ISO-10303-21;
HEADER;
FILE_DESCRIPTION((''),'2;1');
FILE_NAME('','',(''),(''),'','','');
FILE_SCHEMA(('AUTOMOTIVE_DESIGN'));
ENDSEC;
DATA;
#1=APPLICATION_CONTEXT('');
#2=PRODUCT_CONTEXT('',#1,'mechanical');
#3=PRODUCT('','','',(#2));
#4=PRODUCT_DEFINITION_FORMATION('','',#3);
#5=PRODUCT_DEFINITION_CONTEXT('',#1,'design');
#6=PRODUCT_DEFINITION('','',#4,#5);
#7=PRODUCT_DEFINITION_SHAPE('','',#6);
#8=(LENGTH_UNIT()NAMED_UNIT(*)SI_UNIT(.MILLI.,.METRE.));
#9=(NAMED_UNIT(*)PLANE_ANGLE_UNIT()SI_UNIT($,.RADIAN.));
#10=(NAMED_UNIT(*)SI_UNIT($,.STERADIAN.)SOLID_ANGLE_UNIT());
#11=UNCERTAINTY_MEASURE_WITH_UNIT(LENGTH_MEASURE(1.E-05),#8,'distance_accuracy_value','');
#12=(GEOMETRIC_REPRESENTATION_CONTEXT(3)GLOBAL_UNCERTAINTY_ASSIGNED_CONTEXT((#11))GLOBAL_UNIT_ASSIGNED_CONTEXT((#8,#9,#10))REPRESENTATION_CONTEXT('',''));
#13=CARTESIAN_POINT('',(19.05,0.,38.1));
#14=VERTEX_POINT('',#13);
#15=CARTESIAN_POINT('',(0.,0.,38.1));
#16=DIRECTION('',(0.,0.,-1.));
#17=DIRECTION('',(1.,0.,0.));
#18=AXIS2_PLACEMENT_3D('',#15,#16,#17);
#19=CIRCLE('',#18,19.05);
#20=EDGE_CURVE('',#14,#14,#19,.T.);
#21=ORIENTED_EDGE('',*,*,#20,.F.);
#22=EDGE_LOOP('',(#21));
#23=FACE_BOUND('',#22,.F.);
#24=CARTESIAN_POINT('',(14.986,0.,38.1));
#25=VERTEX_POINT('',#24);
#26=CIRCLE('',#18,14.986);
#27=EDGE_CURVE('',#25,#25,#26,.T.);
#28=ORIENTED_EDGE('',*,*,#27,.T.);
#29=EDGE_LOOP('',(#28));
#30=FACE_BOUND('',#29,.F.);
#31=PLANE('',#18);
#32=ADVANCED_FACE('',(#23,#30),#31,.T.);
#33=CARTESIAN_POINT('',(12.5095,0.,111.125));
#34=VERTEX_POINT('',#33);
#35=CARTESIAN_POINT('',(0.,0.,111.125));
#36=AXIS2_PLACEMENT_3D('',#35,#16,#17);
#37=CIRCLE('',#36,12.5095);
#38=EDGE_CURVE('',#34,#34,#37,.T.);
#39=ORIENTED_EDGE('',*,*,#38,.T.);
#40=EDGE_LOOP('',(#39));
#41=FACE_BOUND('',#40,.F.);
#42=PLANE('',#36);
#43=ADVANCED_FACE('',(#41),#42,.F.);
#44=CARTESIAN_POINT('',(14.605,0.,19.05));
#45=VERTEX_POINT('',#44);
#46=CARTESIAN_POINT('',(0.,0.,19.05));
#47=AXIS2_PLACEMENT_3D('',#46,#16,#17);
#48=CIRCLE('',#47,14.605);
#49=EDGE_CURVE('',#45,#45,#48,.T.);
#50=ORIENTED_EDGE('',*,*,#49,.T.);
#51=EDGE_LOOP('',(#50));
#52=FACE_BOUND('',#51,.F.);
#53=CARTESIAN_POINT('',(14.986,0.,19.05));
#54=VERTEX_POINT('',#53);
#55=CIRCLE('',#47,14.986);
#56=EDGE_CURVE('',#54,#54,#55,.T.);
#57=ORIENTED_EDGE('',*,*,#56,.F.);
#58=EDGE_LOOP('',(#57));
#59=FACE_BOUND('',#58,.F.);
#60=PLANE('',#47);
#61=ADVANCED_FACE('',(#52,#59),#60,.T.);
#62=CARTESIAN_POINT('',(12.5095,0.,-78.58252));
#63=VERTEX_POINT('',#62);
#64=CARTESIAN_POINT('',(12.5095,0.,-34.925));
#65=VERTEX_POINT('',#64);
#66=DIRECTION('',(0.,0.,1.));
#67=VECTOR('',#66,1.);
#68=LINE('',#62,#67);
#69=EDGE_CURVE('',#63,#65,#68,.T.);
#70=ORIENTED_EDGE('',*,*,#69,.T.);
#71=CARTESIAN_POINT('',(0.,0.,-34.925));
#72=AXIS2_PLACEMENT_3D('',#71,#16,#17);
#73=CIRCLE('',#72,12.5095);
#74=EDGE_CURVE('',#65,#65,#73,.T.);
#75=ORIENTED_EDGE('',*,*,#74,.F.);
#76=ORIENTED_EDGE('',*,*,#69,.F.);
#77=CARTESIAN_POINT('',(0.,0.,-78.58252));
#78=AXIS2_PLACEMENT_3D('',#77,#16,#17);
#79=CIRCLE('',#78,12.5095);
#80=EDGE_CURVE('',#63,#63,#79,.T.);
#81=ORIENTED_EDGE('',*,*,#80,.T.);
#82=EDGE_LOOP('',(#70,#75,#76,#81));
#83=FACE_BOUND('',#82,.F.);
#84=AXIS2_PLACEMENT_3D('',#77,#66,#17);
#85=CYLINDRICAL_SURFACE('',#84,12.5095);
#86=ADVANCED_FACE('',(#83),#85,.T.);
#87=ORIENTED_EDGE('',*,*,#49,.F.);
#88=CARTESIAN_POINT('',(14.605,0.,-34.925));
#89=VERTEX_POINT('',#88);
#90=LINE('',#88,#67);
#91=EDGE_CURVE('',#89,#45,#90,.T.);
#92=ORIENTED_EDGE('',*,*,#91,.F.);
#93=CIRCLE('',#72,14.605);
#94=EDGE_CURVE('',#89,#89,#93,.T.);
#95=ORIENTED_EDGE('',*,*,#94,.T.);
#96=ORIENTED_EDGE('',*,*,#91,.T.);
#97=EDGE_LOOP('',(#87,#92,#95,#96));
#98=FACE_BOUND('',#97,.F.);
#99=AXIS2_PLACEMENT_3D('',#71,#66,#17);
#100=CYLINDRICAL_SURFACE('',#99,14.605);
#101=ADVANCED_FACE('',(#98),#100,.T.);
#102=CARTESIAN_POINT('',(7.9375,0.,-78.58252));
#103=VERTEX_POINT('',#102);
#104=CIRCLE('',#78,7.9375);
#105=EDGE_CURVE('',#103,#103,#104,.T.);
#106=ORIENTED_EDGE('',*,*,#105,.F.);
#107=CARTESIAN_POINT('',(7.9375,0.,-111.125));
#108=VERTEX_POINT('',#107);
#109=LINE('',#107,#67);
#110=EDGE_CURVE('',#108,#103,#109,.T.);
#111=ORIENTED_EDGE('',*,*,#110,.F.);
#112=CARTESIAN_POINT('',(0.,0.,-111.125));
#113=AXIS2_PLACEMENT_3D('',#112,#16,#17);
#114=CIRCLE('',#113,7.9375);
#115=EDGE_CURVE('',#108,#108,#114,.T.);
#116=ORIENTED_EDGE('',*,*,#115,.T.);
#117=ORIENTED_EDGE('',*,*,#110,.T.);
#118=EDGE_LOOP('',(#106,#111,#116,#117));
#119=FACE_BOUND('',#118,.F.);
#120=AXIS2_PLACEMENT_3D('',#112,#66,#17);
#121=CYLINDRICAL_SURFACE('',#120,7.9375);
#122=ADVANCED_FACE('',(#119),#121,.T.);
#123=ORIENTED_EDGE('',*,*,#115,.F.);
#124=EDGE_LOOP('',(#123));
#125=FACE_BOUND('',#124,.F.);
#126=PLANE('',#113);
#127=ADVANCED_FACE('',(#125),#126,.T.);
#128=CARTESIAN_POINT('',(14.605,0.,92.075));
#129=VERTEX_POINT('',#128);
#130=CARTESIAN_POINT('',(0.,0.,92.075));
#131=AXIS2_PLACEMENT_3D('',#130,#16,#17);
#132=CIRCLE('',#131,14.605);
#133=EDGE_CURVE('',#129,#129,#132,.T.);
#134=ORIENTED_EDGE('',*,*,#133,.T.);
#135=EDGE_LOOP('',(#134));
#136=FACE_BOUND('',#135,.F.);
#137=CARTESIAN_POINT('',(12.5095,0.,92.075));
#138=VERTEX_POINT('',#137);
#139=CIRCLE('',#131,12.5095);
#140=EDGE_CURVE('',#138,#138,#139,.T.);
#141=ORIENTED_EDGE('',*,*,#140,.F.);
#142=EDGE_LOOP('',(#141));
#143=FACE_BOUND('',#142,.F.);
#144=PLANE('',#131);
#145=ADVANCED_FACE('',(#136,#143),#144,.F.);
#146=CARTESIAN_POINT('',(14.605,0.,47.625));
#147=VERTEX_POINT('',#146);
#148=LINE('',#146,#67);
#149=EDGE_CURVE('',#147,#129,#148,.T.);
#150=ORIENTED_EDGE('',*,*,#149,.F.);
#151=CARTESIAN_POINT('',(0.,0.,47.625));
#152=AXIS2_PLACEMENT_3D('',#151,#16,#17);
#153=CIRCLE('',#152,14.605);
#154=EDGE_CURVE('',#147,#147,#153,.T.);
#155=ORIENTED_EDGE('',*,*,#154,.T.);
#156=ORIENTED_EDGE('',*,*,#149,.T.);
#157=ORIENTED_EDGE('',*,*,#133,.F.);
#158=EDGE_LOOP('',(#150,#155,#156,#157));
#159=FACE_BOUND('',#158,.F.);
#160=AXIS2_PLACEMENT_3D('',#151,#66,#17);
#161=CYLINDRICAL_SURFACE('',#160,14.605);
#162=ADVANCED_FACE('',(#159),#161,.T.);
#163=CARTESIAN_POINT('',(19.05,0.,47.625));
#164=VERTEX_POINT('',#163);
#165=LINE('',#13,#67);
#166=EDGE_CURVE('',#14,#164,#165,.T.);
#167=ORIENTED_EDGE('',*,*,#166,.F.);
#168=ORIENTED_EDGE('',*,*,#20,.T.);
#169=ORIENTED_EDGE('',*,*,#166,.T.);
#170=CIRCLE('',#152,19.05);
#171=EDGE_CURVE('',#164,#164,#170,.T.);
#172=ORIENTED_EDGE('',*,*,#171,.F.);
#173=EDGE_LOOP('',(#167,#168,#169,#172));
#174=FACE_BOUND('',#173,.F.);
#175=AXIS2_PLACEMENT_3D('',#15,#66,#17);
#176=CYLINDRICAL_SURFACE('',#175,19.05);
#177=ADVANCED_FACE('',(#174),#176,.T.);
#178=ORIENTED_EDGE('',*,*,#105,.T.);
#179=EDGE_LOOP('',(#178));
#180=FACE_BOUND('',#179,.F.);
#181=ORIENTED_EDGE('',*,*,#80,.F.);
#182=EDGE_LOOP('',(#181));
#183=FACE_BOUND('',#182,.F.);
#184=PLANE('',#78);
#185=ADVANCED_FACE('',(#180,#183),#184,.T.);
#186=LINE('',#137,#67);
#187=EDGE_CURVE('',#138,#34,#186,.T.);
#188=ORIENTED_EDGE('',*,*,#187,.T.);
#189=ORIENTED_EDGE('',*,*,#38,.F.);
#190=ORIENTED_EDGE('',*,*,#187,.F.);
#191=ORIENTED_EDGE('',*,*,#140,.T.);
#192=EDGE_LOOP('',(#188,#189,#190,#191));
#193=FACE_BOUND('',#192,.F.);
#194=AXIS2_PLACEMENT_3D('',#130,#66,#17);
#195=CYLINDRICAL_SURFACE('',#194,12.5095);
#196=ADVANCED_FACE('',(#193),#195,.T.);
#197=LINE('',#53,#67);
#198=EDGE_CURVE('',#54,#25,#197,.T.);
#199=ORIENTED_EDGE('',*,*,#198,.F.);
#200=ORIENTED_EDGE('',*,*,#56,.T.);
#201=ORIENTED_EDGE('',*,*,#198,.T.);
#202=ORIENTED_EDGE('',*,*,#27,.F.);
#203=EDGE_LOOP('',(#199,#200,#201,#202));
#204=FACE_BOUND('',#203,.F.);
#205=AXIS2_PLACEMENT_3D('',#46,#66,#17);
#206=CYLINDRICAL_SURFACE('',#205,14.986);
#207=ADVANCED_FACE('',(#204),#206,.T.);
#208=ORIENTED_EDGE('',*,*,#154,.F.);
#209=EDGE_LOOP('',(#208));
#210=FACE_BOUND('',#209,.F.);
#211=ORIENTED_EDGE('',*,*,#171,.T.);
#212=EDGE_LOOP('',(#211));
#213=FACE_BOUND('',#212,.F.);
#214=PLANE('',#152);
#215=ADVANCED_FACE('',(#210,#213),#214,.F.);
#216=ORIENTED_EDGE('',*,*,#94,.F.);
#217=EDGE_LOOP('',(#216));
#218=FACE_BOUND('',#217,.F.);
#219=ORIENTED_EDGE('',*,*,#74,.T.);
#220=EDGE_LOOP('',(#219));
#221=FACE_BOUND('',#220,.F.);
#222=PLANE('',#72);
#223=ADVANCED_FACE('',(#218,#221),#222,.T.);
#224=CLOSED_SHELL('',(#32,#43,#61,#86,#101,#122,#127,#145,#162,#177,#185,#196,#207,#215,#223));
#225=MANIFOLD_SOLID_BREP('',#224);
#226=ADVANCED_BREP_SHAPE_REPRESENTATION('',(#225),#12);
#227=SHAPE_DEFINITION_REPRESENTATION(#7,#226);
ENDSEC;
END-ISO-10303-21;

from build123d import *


with BuildPart() as f1:
    # F0 (on Front) → F1 (revolve)
    with BuildSketch(Plane.XZ):
        Polygon((12.5095, 111.125), (0, 111.125), (0, -111.125), (7.9375, -111.125), (7.9375, -78.58252), (12.5095, -78.58252), (12.5095, -34.925), (14.605, -34.925), (14.605, 19.05), (14.986, 19.05), (14.986, 38.1), (19.05, 38.1), (19.05, 47.625), (14.605, 47.625), (14.605, 92.075), (12.5095, 92.075), align=None)
    revolve(axis=Axis((0, 0, 0), (0, 0, -1)))


solid = f1.part
